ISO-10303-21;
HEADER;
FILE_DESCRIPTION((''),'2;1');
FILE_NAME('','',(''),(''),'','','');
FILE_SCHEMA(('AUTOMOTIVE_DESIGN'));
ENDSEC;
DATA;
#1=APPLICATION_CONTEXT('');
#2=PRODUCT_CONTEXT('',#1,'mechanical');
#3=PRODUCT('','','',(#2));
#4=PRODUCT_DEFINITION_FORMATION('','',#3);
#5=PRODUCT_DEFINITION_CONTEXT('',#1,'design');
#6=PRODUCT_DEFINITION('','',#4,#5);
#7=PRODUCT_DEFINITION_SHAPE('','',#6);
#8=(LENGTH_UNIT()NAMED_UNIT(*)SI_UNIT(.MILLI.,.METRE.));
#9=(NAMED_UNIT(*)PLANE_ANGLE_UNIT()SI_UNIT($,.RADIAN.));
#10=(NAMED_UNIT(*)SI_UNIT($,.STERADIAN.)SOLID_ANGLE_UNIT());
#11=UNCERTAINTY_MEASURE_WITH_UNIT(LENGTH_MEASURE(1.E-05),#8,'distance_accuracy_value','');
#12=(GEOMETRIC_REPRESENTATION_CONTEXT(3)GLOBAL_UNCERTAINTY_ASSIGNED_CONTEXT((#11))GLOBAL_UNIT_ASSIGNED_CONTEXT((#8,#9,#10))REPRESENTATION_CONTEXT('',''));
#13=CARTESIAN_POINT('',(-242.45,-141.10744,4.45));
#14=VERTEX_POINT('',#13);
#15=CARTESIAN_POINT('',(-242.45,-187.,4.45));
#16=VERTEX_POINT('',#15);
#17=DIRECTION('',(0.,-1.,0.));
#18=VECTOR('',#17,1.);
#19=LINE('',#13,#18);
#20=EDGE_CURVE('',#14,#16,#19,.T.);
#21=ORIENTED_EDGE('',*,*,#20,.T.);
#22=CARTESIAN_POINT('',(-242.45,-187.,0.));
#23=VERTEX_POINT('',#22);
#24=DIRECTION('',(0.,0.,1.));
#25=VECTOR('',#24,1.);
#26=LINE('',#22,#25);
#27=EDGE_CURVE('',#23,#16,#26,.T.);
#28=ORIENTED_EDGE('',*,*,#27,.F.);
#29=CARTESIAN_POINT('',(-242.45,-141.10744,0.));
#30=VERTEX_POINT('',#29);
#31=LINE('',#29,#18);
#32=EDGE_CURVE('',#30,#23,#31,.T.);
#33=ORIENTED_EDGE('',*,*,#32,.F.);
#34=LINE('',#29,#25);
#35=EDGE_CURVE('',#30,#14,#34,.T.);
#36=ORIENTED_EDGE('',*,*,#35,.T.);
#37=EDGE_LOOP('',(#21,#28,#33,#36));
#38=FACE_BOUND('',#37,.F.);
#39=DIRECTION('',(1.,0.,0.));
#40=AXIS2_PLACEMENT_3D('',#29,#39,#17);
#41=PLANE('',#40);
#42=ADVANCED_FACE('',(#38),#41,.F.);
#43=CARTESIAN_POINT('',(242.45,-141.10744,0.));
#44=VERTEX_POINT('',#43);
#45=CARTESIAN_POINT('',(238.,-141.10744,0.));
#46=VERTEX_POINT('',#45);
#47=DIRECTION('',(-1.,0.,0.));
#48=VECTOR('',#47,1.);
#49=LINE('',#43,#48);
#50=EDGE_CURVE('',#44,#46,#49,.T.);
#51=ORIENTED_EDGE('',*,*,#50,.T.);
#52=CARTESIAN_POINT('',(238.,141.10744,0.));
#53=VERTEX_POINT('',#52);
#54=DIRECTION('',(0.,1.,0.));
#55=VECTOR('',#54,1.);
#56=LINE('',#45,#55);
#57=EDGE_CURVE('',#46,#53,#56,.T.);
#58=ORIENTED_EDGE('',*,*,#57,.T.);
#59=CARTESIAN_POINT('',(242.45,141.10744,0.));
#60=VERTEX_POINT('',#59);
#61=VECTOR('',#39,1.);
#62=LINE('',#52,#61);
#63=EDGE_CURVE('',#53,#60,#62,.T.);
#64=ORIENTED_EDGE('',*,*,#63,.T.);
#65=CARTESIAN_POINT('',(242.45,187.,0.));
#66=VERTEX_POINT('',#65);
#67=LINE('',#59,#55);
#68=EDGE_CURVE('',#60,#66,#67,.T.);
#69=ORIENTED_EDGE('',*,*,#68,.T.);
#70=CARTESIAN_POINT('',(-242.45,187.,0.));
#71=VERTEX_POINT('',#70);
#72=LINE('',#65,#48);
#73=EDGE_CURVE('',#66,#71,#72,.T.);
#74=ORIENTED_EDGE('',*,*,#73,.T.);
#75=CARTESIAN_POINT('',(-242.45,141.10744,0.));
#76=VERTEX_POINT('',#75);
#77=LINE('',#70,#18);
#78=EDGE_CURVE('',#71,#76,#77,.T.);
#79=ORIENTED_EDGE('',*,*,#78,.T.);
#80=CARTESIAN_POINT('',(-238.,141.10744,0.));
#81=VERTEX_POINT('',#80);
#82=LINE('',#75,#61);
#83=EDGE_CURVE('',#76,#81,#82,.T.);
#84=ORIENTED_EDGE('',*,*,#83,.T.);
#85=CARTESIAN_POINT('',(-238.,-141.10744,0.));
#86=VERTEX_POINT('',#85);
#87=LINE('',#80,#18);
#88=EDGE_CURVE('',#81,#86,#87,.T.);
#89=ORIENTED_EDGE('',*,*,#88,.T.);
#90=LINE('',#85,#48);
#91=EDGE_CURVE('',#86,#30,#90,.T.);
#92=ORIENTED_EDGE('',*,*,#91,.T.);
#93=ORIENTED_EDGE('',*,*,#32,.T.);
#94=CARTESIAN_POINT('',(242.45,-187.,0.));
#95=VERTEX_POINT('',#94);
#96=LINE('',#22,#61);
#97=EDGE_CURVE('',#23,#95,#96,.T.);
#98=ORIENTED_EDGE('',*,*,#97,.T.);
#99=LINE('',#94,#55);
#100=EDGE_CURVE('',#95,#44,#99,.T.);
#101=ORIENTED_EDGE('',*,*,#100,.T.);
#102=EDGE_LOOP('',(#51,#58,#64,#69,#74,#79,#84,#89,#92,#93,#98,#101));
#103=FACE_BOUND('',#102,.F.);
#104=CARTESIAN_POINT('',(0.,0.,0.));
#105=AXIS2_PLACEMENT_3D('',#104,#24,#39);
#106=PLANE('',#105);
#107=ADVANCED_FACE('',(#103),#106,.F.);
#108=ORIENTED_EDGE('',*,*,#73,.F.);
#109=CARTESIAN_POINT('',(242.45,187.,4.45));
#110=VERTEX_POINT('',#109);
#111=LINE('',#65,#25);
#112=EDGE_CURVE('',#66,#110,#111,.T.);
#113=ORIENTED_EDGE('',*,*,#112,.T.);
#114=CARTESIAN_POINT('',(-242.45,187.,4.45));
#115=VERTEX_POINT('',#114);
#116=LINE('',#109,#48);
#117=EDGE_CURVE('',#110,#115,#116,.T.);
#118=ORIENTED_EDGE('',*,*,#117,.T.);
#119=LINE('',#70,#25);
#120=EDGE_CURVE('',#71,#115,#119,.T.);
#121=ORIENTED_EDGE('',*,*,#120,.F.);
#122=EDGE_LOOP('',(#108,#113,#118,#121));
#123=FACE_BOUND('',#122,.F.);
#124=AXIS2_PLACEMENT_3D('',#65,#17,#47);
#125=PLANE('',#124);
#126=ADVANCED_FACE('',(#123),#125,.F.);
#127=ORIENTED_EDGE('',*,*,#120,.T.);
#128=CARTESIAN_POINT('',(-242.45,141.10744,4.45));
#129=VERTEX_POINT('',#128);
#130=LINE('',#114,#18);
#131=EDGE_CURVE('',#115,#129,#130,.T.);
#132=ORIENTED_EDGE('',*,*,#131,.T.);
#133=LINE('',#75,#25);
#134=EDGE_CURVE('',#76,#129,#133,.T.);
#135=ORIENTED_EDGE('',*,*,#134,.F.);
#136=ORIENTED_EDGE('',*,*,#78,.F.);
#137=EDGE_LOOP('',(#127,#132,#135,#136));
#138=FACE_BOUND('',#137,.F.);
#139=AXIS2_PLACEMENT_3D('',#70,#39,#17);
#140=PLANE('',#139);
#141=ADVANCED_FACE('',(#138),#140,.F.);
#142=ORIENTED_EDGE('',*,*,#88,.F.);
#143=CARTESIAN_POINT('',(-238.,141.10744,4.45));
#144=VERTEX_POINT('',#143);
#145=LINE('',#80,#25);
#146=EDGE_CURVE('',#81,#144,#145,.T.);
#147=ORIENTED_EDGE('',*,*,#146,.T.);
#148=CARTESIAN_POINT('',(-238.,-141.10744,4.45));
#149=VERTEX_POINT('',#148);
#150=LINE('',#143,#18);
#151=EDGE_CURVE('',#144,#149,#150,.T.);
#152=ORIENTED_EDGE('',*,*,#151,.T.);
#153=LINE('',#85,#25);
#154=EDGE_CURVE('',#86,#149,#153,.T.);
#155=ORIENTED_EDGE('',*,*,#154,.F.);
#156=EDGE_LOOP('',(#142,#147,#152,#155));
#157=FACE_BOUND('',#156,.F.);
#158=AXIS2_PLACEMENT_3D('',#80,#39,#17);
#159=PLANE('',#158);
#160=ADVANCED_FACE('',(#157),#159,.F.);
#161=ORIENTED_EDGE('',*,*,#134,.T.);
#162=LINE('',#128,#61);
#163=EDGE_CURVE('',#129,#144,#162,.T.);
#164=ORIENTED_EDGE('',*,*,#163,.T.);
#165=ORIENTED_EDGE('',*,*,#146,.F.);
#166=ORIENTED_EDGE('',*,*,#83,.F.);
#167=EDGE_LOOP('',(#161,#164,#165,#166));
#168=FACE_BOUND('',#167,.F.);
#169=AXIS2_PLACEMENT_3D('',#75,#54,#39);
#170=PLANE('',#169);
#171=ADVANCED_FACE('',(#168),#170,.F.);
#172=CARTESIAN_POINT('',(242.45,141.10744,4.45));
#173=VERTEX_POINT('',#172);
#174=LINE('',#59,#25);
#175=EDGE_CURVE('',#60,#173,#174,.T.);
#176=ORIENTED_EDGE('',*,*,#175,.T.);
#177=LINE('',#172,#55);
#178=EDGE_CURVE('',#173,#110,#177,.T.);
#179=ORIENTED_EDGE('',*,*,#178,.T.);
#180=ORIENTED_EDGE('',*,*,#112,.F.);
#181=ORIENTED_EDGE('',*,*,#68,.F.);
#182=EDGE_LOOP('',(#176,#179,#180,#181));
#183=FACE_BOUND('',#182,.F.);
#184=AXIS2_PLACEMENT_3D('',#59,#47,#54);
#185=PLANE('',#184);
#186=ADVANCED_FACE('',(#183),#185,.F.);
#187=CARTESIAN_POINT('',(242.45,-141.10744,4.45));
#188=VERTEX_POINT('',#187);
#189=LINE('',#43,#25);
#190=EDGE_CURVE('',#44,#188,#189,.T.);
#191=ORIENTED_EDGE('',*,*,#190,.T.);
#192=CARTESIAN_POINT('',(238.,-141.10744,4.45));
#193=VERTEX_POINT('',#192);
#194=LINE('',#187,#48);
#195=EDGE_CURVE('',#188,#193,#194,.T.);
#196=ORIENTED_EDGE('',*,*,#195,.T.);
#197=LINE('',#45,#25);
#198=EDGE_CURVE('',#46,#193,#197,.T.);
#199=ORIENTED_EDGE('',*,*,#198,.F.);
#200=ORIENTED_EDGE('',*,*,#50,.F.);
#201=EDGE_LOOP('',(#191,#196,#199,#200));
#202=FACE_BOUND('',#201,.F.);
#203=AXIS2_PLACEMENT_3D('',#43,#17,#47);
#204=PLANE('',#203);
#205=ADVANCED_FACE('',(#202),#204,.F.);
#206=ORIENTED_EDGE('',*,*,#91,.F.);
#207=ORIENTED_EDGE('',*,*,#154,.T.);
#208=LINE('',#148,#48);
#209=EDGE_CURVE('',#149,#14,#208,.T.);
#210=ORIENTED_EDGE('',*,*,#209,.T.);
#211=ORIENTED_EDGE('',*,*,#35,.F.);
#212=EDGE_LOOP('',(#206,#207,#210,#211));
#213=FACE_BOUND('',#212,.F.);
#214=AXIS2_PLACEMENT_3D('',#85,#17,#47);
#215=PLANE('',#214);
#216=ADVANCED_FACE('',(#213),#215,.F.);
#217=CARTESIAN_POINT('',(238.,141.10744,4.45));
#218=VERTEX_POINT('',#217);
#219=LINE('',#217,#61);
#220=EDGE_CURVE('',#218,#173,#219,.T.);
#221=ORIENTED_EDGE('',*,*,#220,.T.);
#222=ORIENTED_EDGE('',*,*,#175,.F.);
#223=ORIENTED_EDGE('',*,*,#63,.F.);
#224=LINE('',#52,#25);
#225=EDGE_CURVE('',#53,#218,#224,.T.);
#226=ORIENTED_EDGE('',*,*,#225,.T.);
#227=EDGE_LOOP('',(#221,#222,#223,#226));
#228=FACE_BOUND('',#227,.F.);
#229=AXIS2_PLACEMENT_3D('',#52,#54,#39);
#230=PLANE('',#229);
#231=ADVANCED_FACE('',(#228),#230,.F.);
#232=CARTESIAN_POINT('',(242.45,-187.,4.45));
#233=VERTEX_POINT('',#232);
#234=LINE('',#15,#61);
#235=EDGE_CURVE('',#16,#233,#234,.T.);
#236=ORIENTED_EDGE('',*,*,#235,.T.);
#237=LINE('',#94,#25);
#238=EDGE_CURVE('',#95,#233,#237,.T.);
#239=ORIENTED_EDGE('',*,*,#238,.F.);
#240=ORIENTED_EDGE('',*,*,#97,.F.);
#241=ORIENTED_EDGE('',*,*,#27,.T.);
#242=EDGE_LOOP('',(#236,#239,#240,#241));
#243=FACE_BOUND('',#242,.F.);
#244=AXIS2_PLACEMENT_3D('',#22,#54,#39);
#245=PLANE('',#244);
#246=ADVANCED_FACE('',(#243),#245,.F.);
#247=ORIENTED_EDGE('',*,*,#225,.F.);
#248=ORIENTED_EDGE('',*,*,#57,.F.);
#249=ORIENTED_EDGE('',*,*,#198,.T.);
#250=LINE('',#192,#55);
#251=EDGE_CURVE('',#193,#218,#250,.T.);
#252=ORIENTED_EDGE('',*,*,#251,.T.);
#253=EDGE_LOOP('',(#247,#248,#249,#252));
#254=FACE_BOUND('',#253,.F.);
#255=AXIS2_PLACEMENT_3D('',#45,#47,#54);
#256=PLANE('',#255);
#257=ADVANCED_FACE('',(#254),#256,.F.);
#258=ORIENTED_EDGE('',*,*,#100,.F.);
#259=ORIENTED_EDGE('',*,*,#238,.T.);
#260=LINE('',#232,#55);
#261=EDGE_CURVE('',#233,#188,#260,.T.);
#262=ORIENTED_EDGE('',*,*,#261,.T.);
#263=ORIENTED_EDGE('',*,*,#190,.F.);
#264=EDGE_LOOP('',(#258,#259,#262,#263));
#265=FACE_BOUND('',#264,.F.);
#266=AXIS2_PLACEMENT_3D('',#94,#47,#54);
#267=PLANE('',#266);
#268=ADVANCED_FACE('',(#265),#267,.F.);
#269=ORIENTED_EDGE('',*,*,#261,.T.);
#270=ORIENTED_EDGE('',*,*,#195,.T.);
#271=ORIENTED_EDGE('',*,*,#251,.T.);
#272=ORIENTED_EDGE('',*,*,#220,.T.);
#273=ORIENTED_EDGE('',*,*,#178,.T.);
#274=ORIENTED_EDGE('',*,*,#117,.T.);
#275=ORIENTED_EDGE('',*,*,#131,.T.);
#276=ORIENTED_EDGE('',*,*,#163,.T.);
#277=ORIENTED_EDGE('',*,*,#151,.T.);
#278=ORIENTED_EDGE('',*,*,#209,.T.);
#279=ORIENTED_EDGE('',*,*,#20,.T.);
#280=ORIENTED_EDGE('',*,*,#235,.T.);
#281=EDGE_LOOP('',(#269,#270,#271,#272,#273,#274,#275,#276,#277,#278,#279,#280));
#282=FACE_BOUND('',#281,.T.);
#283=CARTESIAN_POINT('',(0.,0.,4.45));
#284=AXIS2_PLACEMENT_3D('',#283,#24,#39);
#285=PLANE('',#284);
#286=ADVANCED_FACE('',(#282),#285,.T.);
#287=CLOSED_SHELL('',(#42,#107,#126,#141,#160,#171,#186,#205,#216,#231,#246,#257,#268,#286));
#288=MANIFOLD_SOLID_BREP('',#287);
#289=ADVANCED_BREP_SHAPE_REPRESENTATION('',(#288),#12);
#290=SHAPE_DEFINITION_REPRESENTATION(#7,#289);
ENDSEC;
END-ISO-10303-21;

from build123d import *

# Parameters (mm, degrees)
F1_DEPTH = 4.45


with BuildPart() as f1:
    # F0 (on Top) → F1 (new body)
    with BuildSketch(Plane.XY):
        Polygon((-238, -187), (238, -187), (242.45, -187), (242.45, -141.10744), (238, -141.10744), (238, 141.10744), (242.45, 141.10744), (242.45, 187), (238, 187), (-238, 187), (-242.45, 187), (-242.45, 141.10744), (-238, 141.10744), (-238, -141.10744), (-242.45, -141.10744), (-242.45, -187), align=None)
    extrude(amount=F1_DEPTH)


solid = f1.part
